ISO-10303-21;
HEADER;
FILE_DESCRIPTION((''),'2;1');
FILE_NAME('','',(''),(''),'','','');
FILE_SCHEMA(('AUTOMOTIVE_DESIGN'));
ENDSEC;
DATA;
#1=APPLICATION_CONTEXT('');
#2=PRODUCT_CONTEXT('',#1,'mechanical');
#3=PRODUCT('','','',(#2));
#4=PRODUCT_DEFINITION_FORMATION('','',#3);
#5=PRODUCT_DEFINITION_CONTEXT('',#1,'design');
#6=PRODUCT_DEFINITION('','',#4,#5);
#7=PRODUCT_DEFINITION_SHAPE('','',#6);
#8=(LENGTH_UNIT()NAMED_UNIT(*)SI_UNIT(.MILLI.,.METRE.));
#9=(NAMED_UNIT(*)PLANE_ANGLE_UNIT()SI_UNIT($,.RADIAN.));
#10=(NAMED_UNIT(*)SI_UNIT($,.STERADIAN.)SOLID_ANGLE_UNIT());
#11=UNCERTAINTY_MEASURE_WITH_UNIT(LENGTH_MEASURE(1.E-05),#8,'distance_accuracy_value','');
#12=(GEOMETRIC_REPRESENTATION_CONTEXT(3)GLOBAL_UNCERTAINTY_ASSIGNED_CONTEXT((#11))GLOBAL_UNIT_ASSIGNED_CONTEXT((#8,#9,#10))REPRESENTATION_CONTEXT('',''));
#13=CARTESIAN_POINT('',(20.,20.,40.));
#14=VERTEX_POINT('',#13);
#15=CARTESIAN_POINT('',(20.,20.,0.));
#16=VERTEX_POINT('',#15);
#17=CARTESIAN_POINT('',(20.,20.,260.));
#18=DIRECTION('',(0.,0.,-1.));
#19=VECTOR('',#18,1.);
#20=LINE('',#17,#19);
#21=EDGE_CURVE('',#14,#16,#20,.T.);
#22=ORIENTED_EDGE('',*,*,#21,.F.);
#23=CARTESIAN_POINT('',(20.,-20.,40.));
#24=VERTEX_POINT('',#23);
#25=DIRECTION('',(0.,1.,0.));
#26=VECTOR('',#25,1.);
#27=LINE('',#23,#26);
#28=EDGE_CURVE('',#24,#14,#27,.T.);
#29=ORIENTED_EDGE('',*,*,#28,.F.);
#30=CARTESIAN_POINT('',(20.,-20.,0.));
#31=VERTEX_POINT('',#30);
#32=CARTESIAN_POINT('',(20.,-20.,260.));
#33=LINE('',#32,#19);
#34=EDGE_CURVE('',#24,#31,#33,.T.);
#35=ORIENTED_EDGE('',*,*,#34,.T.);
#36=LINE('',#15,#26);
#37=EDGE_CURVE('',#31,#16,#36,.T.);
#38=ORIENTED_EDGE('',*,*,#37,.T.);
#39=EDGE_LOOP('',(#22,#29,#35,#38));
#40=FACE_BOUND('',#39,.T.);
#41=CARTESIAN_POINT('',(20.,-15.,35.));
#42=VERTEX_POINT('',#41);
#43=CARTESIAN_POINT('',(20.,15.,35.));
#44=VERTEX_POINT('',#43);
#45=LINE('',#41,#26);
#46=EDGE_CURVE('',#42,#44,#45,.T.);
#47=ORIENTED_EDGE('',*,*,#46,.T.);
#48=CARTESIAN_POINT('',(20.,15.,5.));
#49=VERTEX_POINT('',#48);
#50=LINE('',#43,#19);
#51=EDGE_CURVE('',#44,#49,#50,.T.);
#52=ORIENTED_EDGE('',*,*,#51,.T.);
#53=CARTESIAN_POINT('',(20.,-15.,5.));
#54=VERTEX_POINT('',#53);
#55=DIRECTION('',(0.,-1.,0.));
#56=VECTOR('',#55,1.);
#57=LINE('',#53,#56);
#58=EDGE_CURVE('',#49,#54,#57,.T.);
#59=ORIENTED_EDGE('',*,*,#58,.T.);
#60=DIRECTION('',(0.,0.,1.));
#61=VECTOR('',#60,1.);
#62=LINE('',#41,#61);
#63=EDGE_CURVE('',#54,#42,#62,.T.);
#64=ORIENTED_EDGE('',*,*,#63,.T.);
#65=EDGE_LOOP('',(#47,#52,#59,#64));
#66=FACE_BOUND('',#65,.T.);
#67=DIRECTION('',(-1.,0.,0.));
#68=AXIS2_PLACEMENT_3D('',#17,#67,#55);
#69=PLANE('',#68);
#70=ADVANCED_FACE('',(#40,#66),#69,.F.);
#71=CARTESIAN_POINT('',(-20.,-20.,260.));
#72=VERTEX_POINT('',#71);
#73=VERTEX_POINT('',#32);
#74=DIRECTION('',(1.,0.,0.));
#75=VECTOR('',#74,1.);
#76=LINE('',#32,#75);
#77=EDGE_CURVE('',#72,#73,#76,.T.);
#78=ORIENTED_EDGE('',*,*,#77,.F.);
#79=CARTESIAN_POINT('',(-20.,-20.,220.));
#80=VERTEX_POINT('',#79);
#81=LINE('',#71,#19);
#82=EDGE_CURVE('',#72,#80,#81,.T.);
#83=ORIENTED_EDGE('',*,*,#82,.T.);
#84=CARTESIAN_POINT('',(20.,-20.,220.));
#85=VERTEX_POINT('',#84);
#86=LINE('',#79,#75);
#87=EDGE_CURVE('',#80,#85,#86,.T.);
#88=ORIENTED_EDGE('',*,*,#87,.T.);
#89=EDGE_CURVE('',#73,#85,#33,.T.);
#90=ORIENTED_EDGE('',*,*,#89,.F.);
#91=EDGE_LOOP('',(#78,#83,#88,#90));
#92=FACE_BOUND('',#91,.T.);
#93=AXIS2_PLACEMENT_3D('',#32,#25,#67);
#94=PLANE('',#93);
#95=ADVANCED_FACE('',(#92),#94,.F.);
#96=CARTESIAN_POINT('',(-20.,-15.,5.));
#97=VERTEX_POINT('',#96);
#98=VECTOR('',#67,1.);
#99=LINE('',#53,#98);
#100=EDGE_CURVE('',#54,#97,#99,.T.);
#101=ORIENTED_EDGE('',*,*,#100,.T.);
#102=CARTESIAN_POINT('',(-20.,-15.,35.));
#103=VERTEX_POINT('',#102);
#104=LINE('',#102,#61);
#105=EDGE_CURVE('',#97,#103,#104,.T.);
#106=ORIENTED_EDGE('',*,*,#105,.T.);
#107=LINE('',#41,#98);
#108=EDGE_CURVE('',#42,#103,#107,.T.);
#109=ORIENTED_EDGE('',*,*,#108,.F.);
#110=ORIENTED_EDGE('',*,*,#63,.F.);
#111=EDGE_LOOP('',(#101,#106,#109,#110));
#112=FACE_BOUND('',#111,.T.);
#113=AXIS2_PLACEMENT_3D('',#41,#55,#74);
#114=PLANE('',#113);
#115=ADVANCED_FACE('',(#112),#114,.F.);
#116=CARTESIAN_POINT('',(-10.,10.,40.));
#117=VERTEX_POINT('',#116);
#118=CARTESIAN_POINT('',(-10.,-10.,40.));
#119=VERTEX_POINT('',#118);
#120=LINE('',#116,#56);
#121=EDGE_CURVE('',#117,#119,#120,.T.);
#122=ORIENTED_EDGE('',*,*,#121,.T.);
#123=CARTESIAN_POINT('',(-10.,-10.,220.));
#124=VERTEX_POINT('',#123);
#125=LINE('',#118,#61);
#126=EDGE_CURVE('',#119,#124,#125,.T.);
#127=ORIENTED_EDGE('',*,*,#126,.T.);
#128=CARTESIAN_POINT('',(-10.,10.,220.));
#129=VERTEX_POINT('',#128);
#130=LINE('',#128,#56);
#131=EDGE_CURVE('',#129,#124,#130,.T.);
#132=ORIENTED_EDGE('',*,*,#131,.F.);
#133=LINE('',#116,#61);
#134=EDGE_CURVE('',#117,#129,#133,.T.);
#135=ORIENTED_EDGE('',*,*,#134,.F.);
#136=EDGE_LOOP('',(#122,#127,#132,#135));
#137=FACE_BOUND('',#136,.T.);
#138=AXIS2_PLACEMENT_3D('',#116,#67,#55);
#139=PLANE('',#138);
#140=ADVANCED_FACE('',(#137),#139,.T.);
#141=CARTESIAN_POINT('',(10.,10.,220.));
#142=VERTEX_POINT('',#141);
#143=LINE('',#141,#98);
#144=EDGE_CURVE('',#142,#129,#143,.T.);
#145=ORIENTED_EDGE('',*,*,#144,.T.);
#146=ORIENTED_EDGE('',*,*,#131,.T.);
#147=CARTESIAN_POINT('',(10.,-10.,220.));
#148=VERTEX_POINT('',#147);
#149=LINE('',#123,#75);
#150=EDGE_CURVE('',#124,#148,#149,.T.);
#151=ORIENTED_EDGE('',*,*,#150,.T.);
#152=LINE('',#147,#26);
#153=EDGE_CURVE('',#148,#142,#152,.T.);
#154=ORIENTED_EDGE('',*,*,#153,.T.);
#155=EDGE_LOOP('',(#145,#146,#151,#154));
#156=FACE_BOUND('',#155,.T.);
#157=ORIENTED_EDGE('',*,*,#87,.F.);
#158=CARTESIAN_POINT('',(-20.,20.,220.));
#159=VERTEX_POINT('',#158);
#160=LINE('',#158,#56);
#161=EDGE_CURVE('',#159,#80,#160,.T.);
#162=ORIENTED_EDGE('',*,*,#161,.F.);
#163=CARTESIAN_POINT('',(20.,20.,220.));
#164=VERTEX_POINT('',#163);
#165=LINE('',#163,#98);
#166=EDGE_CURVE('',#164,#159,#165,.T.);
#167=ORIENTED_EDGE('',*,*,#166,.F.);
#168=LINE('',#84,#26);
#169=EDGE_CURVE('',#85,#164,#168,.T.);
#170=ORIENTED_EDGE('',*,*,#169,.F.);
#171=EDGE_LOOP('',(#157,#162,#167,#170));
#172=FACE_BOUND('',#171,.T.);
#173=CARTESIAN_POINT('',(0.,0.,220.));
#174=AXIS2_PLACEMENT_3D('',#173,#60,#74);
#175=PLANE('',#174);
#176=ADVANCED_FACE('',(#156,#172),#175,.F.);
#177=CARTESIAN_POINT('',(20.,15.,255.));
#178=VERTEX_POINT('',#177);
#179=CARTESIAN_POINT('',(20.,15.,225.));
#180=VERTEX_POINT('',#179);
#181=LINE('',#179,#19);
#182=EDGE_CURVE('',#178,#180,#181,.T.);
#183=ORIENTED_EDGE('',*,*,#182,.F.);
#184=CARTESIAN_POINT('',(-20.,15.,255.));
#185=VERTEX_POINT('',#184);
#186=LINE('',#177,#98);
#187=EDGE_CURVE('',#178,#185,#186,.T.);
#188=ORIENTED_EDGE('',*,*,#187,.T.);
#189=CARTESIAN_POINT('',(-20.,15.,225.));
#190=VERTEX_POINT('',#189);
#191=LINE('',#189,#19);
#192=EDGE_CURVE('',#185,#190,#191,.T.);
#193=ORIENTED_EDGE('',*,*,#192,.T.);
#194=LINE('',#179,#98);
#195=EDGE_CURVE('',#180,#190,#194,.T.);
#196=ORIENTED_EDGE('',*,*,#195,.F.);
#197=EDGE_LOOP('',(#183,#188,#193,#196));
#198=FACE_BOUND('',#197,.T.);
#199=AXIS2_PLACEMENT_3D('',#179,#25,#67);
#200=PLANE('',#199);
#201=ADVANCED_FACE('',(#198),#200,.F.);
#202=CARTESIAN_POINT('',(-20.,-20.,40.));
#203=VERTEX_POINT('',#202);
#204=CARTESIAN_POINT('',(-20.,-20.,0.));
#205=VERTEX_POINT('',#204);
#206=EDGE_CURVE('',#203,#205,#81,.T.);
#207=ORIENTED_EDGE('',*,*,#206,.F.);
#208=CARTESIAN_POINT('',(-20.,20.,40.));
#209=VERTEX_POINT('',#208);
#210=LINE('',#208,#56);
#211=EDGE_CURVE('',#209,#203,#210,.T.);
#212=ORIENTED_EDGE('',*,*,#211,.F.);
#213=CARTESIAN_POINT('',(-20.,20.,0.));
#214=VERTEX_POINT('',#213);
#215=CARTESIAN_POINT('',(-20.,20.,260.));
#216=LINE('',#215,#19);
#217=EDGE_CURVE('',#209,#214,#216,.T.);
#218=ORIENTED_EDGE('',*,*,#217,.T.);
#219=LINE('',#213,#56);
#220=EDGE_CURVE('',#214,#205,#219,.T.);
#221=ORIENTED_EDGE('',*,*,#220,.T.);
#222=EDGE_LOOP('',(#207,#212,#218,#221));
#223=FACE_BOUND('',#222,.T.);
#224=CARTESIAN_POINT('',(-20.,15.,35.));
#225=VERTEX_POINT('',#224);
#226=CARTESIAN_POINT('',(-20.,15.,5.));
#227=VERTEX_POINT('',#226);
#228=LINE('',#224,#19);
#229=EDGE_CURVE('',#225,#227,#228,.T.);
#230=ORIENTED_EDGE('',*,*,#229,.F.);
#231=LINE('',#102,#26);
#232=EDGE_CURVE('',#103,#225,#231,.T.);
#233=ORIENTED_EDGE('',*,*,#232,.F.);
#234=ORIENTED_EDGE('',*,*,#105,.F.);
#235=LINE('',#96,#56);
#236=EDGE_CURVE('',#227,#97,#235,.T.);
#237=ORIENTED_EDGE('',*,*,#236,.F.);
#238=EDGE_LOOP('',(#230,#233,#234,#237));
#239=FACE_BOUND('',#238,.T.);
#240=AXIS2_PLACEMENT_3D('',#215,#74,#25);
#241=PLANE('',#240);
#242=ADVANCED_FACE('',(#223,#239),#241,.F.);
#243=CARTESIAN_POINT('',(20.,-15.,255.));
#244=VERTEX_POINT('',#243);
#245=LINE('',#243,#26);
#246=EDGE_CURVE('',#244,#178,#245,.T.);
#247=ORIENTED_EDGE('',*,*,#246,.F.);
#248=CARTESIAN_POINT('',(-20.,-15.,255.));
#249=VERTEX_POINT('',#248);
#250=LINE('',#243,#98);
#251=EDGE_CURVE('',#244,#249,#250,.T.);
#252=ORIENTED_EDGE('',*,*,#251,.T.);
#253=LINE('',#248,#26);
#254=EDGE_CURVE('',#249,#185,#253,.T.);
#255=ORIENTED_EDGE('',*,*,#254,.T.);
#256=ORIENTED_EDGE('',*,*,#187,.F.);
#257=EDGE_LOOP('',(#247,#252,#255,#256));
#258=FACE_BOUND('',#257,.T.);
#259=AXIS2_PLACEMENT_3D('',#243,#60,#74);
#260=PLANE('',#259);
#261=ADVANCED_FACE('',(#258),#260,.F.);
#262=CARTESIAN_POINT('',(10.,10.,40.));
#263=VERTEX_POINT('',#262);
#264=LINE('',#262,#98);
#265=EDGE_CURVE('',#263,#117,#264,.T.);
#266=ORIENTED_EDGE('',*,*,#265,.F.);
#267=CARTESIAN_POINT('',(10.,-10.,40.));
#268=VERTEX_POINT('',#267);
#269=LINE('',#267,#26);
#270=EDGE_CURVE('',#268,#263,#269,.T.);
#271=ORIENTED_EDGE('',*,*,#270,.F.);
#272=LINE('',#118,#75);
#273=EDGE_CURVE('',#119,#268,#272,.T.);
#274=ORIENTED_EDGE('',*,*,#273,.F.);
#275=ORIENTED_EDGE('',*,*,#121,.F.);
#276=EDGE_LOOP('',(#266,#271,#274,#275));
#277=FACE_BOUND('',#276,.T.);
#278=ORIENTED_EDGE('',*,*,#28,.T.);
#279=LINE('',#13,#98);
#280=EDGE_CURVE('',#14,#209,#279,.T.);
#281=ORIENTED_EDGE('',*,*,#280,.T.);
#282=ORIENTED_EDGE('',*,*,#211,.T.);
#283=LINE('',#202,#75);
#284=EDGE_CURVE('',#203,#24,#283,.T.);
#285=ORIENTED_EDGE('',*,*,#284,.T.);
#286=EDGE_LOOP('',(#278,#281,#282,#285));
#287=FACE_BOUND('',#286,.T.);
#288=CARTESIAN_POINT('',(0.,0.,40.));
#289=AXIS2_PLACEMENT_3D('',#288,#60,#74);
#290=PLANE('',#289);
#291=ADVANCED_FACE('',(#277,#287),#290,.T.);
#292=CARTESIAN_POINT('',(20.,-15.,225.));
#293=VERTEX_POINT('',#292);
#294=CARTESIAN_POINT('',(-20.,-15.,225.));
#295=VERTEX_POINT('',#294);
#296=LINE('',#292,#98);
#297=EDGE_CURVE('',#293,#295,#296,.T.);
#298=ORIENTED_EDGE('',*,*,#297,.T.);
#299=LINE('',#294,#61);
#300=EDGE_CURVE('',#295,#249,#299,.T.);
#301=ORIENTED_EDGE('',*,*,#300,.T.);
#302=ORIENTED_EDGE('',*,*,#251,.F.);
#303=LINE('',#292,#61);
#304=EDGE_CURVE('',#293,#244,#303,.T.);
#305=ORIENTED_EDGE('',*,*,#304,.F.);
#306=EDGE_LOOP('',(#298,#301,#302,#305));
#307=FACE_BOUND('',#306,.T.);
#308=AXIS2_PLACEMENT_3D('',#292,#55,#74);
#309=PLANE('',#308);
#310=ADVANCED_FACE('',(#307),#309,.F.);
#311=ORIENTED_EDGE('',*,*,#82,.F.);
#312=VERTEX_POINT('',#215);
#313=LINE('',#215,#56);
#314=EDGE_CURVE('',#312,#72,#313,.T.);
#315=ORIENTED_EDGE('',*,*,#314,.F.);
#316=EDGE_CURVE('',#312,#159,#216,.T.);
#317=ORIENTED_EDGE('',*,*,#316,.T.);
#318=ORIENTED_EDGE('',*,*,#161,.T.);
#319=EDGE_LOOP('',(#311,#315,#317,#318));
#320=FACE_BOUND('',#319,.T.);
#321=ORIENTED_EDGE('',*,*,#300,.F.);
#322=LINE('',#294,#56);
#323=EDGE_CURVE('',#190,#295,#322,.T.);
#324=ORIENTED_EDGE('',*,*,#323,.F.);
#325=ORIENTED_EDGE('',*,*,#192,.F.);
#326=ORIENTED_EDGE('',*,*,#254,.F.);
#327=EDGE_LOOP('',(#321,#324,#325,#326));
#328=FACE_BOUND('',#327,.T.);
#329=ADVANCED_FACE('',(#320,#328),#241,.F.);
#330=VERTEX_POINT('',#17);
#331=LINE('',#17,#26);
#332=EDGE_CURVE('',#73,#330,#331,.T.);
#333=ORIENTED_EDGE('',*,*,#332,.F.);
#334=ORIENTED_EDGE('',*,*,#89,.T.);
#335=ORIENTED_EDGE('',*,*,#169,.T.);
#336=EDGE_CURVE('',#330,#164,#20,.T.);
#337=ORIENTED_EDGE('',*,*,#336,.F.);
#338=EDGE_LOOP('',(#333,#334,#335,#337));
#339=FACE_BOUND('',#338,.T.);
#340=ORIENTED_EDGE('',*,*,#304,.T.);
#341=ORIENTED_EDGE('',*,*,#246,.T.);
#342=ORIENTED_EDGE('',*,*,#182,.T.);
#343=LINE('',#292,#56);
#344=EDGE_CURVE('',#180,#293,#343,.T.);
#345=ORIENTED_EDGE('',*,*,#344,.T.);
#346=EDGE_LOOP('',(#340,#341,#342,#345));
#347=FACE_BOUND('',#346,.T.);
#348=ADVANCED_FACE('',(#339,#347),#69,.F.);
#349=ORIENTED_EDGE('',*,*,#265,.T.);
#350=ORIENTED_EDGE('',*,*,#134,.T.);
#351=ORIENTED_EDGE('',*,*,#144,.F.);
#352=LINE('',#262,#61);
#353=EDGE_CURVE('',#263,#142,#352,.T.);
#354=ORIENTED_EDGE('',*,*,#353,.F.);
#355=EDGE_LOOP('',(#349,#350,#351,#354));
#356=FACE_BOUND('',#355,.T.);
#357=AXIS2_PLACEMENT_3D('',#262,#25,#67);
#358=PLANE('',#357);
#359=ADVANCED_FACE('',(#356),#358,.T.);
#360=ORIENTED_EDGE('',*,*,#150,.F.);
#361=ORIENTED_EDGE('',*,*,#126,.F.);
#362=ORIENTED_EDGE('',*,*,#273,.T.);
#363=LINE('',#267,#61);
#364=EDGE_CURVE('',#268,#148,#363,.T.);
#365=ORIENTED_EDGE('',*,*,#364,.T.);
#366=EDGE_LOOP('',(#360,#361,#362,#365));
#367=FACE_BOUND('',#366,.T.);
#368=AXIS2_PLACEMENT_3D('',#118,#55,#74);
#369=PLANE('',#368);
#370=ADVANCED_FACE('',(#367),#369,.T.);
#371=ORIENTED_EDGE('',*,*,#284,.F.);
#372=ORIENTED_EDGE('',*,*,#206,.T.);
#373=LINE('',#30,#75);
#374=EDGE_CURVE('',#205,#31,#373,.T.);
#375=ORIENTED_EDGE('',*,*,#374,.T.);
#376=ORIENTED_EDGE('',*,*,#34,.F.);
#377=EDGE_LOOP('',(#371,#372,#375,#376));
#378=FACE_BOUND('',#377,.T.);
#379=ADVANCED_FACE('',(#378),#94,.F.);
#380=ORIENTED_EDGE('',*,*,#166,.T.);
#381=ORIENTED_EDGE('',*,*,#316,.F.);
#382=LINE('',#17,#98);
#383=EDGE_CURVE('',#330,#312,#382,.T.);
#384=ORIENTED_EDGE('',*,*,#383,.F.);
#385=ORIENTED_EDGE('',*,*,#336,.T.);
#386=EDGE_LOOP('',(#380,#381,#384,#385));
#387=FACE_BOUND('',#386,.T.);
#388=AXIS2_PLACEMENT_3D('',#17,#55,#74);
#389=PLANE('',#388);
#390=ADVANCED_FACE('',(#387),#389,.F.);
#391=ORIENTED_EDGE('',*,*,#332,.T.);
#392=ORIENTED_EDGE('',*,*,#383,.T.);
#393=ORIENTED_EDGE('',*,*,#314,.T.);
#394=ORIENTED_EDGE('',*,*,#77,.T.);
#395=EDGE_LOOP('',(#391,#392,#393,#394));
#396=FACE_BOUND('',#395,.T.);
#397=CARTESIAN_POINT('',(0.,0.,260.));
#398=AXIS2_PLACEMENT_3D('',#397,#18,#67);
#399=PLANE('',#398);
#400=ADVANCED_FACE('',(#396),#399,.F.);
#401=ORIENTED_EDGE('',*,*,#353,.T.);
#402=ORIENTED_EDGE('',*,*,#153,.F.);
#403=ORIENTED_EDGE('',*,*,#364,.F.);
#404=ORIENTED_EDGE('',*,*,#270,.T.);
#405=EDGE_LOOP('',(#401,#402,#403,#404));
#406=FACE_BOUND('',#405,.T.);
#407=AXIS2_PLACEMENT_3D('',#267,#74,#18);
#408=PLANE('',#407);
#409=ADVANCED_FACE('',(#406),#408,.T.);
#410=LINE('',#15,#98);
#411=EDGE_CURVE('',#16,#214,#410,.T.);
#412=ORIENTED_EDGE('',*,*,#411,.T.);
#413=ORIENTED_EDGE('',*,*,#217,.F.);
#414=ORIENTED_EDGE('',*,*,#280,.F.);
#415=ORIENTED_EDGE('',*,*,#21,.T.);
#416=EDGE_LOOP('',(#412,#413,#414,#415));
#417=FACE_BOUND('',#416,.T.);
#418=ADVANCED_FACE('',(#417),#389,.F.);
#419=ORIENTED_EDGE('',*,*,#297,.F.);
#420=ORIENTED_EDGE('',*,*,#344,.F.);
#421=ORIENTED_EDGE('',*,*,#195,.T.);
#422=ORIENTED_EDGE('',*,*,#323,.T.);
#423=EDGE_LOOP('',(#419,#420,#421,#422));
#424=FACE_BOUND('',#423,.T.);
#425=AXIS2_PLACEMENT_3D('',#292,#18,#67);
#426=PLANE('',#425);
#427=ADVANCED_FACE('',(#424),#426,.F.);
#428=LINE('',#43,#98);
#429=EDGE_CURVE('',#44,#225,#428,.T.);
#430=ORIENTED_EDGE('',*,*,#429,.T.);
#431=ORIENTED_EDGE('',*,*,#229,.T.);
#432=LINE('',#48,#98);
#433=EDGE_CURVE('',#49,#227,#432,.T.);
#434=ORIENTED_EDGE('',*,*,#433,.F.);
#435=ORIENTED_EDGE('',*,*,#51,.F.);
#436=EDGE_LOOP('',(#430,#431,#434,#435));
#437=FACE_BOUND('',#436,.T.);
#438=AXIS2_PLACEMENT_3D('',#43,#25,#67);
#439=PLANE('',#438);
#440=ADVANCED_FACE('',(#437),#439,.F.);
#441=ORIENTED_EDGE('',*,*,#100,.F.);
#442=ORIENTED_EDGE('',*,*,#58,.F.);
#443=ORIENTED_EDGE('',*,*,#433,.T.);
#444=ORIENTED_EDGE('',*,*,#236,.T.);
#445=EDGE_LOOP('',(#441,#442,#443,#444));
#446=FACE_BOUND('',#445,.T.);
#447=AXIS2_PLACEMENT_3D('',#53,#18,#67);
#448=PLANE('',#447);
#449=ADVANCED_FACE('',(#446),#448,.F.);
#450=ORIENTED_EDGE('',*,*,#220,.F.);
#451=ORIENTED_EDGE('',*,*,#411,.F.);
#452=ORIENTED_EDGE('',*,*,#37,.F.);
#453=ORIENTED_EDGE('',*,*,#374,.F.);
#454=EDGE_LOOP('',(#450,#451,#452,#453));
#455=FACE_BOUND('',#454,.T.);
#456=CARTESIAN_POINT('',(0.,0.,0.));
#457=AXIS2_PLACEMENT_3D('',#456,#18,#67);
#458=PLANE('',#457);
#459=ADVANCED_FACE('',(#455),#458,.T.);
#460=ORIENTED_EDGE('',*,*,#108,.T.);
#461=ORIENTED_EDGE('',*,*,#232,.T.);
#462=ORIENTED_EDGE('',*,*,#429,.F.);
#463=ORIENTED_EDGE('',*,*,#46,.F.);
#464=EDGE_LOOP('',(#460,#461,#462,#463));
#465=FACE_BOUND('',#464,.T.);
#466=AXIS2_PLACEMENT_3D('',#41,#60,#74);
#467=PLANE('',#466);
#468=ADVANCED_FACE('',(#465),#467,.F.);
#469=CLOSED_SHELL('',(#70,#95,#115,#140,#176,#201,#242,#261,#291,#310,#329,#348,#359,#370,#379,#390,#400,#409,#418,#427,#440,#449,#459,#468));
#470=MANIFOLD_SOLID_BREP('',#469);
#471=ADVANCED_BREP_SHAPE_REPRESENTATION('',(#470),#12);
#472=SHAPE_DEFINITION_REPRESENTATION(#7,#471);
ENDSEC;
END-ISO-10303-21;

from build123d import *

# Parameters (mm, degrees)
SKETCH1_W           = 40
SKETCH1_H           = 40
BOSS_EXTRUDE1_DEPTH = 260
SKETCH3_W           = 40
SKETCH3_H           = 40
SKETCH3_W_2         = 20
SKETCH3_H_2         = 20
CUT_EXTRUDE1_DEPTH  = 180
SKETCH4_W           = 30
SKETCH4_H           = 30
CUT_EXTRUDE2_DEPTH  = 264.818119165


with BuildPart() as part:
    # Sketch1 → Boss-Extrude1 (new body)
    with BuildSketch(Plane.XY):
        Rectangle(SKETCH1_W, SKETCH1_H)
    extrude(amount=BOSS_EXTRUDE1_DEPTH)

    # Sketch3 → Cut-Extrude1 (cut)
    with BuildSketch(Plane.XY.offset(220)):
        Rectangle(SKETCH3_W, SKETCH3_H)
        Rectangle(SKETCH3_W_2, SKETCH3_H_2, mode=Mode.SUBTRACT)
    extrude(amount=-CUT_EXTRUDE1_DEPTH, mode=Mode.SUBTRACT)

    # Sketch4 → Cut-Extrude2 (cut, through all)
    with BuildSketch(Plane.ZY.offset(20)):
        with Locations((20, 0)):
            Rectangle(SKETCH4_W, SKETCH4_H)
        with Locations((240, 0)):
            Rectangle(SKETCH4_W, SKETCH4_H)
    extrude(amount=-CUT_EXTRUDE2_DEPTH, mode=Mode.SUBTRACT)


solid = part.part
